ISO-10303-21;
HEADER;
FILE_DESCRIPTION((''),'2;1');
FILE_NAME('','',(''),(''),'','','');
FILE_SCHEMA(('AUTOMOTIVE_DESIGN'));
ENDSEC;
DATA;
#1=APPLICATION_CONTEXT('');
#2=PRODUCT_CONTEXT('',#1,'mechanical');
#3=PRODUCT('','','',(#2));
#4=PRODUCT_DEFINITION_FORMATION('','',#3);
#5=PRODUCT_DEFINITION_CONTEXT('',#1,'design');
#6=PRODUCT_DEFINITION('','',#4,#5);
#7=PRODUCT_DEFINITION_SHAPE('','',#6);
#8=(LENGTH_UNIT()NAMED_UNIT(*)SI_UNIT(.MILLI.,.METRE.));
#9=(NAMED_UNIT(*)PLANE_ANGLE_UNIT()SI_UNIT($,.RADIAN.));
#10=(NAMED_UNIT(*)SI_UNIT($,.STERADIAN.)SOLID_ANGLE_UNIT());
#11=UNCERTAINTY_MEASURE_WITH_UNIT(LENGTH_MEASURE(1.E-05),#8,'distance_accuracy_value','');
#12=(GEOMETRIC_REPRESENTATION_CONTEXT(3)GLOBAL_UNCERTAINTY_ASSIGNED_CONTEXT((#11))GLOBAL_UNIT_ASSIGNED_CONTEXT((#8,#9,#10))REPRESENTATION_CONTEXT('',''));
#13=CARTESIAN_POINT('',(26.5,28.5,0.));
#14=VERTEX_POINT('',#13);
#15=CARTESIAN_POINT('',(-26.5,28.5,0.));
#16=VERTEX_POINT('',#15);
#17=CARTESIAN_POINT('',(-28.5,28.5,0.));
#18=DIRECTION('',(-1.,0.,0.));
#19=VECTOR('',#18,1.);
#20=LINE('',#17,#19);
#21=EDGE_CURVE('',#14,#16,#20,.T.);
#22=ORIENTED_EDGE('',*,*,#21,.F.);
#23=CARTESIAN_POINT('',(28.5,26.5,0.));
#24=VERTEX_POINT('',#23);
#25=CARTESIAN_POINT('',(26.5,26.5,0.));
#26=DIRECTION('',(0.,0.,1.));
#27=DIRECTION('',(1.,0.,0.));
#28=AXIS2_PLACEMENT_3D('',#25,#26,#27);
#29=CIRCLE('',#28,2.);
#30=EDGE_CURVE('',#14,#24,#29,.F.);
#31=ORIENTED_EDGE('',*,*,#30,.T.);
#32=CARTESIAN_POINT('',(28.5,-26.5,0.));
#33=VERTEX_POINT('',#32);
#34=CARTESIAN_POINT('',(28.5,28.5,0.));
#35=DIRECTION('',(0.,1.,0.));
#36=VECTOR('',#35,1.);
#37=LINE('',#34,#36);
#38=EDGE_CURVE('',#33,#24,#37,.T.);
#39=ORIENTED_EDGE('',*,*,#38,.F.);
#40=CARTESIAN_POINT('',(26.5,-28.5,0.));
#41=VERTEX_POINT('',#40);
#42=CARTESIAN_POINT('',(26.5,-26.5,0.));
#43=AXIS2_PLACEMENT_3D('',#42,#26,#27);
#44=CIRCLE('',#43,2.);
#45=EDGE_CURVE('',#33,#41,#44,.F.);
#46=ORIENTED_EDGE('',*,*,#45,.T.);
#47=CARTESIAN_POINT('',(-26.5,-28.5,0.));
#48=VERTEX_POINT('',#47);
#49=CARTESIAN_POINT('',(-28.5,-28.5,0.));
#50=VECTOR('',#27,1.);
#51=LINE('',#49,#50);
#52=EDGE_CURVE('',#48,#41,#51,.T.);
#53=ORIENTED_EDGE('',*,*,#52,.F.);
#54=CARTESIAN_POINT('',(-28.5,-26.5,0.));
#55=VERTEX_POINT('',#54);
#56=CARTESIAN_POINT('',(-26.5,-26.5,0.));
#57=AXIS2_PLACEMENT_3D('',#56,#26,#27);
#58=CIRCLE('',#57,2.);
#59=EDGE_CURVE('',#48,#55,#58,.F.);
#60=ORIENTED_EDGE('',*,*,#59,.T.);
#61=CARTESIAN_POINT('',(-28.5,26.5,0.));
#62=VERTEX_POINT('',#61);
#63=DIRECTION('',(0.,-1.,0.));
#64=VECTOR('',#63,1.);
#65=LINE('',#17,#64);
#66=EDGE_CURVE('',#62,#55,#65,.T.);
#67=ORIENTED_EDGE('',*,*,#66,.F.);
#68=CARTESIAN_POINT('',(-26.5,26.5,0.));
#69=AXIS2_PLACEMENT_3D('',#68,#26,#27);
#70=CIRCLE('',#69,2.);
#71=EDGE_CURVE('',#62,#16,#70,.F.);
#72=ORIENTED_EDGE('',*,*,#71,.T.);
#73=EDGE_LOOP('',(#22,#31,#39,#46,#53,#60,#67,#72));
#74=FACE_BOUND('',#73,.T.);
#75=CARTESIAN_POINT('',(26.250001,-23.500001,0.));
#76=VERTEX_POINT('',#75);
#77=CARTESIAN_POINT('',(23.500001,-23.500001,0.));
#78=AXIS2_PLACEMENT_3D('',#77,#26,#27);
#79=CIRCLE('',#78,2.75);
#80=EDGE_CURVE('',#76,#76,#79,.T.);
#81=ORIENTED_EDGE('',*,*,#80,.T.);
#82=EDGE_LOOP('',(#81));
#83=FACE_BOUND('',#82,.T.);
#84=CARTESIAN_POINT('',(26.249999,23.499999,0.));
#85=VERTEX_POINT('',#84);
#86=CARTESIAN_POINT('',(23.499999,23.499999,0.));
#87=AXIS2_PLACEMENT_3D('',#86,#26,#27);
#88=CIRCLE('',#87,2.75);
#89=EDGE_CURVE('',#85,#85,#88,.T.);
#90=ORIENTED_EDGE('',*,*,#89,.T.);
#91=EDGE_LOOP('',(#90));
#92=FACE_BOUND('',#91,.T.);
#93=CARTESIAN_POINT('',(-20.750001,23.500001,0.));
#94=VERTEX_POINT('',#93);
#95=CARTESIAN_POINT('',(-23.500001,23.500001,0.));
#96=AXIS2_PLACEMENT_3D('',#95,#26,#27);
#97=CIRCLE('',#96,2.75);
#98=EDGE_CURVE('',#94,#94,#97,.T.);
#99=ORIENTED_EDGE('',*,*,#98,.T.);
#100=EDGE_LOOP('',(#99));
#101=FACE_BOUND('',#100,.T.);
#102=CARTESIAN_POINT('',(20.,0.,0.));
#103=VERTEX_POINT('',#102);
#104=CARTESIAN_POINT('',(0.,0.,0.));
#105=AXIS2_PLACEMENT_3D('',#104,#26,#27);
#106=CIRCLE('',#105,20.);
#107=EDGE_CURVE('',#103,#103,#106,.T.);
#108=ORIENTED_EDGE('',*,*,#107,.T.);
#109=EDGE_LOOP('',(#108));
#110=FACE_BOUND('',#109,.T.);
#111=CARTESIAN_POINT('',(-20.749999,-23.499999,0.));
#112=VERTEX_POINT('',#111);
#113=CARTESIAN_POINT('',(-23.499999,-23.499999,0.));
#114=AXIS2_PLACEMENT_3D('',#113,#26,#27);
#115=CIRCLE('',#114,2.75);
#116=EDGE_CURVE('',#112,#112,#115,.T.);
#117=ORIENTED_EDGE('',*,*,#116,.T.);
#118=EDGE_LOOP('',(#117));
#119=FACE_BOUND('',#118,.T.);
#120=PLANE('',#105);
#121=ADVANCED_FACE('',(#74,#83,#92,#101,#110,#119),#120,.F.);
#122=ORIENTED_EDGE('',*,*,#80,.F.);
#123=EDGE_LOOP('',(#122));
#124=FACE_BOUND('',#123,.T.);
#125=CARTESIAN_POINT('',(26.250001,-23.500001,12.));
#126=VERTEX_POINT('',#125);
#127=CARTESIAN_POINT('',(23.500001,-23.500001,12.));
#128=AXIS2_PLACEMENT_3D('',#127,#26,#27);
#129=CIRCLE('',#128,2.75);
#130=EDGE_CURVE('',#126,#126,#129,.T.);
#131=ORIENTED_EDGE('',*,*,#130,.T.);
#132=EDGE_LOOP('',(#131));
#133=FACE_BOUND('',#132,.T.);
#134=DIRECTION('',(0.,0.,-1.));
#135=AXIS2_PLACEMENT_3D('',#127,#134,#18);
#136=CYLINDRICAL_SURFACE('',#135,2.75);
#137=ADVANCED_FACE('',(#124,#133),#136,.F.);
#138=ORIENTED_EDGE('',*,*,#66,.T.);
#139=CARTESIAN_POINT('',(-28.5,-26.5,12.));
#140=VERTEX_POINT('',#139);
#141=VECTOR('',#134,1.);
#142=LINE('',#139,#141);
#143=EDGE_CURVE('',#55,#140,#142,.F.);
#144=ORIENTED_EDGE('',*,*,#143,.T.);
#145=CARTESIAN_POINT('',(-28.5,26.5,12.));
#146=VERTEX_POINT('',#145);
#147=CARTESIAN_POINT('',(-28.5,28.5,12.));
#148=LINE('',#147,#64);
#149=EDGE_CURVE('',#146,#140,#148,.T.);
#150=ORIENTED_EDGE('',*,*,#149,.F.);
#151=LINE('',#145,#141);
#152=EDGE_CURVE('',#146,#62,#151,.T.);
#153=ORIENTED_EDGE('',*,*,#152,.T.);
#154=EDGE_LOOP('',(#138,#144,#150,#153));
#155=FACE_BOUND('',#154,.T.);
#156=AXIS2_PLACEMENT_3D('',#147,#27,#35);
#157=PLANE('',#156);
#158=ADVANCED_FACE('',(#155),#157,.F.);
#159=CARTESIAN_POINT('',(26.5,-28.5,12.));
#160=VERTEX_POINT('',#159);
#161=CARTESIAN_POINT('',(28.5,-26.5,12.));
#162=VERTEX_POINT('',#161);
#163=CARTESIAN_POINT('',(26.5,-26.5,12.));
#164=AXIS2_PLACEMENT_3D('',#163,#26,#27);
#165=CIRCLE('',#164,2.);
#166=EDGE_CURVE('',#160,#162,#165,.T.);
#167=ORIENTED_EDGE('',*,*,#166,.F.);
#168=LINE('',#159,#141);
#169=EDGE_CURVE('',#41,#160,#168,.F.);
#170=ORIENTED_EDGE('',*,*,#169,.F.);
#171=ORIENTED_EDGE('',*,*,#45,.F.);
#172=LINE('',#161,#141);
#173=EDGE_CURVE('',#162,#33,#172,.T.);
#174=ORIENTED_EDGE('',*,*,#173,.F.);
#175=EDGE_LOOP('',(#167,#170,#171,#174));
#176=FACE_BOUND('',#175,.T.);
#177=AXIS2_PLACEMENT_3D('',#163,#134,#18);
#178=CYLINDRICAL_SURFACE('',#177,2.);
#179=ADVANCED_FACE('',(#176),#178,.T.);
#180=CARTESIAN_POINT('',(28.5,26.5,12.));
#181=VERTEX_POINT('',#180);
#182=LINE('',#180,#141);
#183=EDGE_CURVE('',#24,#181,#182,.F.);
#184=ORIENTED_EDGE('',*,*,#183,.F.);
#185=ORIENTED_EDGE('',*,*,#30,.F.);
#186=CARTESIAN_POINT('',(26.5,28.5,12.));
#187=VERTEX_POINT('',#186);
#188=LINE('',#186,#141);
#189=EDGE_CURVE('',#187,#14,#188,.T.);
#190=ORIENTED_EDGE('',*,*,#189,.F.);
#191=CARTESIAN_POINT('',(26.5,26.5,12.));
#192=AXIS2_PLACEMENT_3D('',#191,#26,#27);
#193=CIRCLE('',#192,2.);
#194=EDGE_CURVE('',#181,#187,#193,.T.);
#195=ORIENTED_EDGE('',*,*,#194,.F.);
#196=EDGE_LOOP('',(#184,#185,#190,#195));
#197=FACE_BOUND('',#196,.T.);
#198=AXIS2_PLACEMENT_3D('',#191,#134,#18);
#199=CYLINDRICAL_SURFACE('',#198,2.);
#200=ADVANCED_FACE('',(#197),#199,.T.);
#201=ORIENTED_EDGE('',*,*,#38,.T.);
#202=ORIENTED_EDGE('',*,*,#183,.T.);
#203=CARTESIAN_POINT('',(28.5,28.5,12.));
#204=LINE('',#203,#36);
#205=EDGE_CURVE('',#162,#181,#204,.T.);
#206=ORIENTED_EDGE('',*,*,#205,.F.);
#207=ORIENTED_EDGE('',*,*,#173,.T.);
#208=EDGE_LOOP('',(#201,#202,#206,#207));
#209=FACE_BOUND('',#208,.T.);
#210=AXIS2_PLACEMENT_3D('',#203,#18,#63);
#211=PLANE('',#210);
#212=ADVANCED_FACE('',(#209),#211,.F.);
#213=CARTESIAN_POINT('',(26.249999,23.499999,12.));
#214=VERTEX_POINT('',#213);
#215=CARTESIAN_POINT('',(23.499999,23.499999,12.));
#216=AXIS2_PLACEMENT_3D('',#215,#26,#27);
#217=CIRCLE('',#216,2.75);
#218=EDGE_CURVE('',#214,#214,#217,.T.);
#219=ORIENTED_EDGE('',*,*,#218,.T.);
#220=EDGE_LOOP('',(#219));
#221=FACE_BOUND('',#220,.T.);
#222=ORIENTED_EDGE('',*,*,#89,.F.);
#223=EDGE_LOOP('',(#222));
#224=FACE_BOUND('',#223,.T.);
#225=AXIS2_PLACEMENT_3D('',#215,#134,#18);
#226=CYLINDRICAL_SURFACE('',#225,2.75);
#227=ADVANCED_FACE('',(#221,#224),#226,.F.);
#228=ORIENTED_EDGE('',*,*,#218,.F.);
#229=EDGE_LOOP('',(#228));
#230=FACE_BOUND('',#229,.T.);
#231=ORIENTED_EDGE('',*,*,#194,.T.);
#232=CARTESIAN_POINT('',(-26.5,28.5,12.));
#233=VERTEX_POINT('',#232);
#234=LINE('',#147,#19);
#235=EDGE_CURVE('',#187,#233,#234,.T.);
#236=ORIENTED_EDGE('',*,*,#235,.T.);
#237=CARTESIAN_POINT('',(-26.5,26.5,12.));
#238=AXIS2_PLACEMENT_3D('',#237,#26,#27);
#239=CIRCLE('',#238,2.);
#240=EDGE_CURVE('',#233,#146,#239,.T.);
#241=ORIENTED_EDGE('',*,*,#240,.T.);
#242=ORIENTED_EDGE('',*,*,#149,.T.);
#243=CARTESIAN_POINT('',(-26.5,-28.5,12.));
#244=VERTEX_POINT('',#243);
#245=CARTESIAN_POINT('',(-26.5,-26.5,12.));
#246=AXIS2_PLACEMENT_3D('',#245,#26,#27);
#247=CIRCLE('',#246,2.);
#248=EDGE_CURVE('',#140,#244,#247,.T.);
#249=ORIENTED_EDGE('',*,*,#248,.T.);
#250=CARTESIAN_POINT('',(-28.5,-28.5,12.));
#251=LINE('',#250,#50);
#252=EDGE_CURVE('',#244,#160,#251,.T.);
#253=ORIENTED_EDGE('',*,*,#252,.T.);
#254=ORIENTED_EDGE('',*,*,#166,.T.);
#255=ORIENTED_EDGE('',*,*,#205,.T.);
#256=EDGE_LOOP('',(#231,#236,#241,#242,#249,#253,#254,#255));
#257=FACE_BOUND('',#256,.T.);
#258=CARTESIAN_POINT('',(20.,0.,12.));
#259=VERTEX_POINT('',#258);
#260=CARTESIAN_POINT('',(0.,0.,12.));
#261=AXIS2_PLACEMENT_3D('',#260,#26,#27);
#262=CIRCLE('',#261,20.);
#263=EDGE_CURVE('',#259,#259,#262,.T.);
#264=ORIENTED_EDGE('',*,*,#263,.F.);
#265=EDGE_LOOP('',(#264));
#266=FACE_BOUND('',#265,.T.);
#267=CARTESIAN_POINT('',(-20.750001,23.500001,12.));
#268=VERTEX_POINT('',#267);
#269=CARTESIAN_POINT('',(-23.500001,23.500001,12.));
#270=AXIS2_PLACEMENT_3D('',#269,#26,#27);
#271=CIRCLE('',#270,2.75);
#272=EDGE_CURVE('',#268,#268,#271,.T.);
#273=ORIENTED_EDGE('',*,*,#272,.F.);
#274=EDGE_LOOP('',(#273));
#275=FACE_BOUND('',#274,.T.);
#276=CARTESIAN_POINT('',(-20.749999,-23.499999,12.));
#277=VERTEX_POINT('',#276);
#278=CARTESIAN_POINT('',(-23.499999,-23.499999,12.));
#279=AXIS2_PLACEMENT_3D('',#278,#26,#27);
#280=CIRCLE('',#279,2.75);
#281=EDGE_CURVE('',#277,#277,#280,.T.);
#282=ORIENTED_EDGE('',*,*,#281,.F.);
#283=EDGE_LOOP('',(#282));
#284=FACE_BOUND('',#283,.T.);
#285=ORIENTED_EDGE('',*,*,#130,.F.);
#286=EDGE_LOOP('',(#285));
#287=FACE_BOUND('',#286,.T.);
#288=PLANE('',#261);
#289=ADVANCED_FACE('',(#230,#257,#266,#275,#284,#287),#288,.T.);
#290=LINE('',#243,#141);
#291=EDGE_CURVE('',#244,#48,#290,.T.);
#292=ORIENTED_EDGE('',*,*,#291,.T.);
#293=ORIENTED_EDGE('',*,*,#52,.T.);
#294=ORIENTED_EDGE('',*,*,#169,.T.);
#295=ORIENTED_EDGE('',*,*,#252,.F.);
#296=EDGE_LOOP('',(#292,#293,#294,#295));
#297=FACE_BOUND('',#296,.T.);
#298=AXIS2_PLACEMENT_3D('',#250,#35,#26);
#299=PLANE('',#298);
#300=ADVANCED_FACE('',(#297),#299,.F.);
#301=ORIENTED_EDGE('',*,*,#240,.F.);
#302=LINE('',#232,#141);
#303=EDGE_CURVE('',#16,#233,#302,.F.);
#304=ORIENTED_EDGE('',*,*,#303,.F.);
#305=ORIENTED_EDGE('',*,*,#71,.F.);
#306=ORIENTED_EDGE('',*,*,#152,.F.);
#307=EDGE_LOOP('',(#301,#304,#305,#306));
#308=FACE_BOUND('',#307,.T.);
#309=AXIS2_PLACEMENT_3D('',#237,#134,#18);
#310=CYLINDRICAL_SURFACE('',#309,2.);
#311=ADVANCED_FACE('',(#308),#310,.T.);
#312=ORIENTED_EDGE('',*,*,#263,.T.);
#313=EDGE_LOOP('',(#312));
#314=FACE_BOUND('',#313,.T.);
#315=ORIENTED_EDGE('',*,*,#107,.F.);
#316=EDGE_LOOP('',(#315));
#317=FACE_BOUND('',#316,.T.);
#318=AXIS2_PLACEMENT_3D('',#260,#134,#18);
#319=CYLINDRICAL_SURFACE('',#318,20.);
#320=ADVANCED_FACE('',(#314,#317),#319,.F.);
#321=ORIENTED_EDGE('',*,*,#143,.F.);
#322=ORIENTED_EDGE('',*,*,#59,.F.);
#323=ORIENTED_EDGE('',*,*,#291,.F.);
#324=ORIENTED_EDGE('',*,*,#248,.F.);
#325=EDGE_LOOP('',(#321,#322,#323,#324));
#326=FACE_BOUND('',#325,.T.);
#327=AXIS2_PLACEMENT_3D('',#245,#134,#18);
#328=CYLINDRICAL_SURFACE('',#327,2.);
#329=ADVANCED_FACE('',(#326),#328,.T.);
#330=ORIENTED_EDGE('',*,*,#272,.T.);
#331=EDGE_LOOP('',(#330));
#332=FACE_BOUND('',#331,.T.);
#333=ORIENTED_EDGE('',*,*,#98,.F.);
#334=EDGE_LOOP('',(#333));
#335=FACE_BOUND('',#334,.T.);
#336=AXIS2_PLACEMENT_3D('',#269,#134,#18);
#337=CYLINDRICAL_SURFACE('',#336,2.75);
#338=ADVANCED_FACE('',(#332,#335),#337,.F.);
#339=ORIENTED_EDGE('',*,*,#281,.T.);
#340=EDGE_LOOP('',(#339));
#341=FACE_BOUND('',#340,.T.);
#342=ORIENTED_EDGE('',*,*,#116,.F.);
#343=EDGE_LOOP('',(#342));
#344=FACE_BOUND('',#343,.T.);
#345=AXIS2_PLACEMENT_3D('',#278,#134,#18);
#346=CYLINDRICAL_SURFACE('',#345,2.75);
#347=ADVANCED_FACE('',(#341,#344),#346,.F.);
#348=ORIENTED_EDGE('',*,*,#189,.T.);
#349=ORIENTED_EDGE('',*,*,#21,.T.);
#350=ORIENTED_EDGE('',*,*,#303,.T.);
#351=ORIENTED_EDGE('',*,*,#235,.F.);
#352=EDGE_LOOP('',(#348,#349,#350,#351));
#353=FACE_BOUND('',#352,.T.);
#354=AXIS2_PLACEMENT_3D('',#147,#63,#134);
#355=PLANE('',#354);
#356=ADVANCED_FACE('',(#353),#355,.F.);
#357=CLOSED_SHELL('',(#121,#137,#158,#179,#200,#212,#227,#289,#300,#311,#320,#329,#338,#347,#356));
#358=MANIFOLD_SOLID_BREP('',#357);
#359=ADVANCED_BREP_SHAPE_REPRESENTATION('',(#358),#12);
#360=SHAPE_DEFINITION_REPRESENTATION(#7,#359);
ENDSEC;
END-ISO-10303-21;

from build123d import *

# Parameters (mm, degrees)
SKETCH1_W           = 57
SKETCH1_H           = 57
SKETCH1_R           = 2.75
SKETCH1_R_2         = 20
BOSS_EXTRUDE1_DEPTH = 12
FILLET1_R           = 2


with BuildPart() as part:
    # Sketch1 → Boss-Extrude1 (new body)
    with BuildSketch(Plane.XY):
        Rectangle(SKETCH1_W, SKETCH1_H)
        with Locations((-23.500001062, 23.500001062)):
            Circle(SKETCH1_R, mode=Mode.SUBTRACT)
        with Locations((23.499998938, 23.499998938)):
            Circle(SKETCH1_R, mode=Mode.SUBTRACT)
        with Locations((23.500001062, -23.500001062)):
            Circle(SKETCH1_R, mode=Mode.SUBTRACT)
        with Locations((-23.499998938, -23.499998938)):
            Circle(SKETCH1_R, mode=Mode.SUBTRACT)
        Circle(SKETCH1_R_2, mode=Mode.SUBTRACT)
    extrude(amount=BOSS_EXTRUDE1_DEPTH)

    # Fillet1
    fillet1_edges = [part.edges().sort_by_distance(p)[0] for p in [
        (28.5, -28.5, 6),
        (-28.5, -28.5, 6),
        (-28.5, 28.5, 6),
        (28.5, 28.5, 6),
    ]]
    fillet(fillet1_edges, radius=FILLET1_R)


solid = part.part
